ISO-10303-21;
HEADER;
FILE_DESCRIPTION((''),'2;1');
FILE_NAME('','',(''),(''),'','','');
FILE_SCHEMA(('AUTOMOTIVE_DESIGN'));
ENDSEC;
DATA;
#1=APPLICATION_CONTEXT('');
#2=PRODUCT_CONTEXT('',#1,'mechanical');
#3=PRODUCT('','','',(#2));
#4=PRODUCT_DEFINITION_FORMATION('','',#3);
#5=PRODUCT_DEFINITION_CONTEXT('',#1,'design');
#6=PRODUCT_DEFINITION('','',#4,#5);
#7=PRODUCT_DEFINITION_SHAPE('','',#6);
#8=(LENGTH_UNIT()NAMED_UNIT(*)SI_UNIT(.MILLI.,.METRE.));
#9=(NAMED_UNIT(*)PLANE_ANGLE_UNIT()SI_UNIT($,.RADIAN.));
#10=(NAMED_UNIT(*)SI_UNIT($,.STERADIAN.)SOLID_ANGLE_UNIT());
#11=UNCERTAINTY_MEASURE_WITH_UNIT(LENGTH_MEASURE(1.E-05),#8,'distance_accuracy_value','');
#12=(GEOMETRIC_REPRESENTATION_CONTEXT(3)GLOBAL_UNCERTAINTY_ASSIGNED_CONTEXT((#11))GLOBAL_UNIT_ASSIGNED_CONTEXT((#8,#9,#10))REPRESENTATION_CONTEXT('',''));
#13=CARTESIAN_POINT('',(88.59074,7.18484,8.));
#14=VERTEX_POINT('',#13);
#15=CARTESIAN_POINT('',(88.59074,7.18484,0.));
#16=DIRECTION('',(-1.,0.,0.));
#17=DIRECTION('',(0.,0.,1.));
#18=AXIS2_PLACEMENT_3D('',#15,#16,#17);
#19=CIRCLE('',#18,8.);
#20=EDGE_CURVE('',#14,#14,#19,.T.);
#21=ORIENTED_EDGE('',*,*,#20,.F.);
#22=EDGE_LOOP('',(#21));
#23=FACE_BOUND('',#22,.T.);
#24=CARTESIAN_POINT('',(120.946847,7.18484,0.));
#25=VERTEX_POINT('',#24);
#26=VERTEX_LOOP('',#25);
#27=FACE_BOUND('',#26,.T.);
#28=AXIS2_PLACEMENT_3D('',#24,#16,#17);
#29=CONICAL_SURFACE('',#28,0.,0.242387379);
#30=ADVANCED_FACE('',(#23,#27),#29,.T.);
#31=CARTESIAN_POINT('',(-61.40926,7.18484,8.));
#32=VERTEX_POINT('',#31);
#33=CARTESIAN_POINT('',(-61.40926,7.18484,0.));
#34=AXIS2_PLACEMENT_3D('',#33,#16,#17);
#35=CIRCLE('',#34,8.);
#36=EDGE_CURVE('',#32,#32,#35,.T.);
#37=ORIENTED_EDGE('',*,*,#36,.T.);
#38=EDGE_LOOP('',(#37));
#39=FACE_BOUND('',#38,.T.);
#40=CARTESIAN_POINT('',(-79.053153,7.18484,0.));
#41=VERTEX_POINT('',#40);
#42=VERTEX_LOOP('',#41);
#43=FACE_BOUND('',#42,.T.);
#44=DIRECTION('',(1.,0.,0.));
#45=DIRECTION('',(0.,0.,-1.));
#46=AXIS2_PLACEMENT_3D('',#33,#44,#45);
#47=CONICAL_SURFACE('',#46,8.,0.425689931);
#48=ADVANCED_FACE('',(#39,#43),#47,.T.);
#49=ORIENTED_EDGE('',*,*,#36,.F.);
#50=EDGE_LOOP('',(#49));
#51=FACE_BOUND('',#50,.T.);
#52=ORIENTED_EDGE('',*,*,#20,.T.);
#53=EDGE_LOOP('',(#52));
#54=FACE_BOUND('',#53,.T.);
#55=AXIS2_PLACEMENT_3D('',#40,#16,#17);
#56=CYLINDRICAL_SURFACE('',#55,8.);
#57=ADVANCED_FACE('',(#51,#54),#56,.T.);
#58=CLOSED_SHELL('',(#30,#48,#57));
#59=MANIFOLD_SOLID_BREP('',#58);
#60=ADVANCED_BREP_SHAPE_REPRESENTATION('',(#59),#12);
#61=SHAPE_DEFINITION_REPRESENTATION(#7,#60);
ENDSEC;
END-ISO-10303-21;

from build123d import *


with BuildPart() as part:
    # Croquis1 → Revolución2 (revolve)
    with BuildSketch(Plane.XY):
        Polygon((-79.053152984, 7.18483977), (120.946847016, 7.18483977), (88.590740478, 15.18483977), (-61.409259522, 15.18483977), align=None)
    revolve(axis=Axis((-79.053152984, 7.18483977, 0), (1, 0, 0)))


solid = part.part
